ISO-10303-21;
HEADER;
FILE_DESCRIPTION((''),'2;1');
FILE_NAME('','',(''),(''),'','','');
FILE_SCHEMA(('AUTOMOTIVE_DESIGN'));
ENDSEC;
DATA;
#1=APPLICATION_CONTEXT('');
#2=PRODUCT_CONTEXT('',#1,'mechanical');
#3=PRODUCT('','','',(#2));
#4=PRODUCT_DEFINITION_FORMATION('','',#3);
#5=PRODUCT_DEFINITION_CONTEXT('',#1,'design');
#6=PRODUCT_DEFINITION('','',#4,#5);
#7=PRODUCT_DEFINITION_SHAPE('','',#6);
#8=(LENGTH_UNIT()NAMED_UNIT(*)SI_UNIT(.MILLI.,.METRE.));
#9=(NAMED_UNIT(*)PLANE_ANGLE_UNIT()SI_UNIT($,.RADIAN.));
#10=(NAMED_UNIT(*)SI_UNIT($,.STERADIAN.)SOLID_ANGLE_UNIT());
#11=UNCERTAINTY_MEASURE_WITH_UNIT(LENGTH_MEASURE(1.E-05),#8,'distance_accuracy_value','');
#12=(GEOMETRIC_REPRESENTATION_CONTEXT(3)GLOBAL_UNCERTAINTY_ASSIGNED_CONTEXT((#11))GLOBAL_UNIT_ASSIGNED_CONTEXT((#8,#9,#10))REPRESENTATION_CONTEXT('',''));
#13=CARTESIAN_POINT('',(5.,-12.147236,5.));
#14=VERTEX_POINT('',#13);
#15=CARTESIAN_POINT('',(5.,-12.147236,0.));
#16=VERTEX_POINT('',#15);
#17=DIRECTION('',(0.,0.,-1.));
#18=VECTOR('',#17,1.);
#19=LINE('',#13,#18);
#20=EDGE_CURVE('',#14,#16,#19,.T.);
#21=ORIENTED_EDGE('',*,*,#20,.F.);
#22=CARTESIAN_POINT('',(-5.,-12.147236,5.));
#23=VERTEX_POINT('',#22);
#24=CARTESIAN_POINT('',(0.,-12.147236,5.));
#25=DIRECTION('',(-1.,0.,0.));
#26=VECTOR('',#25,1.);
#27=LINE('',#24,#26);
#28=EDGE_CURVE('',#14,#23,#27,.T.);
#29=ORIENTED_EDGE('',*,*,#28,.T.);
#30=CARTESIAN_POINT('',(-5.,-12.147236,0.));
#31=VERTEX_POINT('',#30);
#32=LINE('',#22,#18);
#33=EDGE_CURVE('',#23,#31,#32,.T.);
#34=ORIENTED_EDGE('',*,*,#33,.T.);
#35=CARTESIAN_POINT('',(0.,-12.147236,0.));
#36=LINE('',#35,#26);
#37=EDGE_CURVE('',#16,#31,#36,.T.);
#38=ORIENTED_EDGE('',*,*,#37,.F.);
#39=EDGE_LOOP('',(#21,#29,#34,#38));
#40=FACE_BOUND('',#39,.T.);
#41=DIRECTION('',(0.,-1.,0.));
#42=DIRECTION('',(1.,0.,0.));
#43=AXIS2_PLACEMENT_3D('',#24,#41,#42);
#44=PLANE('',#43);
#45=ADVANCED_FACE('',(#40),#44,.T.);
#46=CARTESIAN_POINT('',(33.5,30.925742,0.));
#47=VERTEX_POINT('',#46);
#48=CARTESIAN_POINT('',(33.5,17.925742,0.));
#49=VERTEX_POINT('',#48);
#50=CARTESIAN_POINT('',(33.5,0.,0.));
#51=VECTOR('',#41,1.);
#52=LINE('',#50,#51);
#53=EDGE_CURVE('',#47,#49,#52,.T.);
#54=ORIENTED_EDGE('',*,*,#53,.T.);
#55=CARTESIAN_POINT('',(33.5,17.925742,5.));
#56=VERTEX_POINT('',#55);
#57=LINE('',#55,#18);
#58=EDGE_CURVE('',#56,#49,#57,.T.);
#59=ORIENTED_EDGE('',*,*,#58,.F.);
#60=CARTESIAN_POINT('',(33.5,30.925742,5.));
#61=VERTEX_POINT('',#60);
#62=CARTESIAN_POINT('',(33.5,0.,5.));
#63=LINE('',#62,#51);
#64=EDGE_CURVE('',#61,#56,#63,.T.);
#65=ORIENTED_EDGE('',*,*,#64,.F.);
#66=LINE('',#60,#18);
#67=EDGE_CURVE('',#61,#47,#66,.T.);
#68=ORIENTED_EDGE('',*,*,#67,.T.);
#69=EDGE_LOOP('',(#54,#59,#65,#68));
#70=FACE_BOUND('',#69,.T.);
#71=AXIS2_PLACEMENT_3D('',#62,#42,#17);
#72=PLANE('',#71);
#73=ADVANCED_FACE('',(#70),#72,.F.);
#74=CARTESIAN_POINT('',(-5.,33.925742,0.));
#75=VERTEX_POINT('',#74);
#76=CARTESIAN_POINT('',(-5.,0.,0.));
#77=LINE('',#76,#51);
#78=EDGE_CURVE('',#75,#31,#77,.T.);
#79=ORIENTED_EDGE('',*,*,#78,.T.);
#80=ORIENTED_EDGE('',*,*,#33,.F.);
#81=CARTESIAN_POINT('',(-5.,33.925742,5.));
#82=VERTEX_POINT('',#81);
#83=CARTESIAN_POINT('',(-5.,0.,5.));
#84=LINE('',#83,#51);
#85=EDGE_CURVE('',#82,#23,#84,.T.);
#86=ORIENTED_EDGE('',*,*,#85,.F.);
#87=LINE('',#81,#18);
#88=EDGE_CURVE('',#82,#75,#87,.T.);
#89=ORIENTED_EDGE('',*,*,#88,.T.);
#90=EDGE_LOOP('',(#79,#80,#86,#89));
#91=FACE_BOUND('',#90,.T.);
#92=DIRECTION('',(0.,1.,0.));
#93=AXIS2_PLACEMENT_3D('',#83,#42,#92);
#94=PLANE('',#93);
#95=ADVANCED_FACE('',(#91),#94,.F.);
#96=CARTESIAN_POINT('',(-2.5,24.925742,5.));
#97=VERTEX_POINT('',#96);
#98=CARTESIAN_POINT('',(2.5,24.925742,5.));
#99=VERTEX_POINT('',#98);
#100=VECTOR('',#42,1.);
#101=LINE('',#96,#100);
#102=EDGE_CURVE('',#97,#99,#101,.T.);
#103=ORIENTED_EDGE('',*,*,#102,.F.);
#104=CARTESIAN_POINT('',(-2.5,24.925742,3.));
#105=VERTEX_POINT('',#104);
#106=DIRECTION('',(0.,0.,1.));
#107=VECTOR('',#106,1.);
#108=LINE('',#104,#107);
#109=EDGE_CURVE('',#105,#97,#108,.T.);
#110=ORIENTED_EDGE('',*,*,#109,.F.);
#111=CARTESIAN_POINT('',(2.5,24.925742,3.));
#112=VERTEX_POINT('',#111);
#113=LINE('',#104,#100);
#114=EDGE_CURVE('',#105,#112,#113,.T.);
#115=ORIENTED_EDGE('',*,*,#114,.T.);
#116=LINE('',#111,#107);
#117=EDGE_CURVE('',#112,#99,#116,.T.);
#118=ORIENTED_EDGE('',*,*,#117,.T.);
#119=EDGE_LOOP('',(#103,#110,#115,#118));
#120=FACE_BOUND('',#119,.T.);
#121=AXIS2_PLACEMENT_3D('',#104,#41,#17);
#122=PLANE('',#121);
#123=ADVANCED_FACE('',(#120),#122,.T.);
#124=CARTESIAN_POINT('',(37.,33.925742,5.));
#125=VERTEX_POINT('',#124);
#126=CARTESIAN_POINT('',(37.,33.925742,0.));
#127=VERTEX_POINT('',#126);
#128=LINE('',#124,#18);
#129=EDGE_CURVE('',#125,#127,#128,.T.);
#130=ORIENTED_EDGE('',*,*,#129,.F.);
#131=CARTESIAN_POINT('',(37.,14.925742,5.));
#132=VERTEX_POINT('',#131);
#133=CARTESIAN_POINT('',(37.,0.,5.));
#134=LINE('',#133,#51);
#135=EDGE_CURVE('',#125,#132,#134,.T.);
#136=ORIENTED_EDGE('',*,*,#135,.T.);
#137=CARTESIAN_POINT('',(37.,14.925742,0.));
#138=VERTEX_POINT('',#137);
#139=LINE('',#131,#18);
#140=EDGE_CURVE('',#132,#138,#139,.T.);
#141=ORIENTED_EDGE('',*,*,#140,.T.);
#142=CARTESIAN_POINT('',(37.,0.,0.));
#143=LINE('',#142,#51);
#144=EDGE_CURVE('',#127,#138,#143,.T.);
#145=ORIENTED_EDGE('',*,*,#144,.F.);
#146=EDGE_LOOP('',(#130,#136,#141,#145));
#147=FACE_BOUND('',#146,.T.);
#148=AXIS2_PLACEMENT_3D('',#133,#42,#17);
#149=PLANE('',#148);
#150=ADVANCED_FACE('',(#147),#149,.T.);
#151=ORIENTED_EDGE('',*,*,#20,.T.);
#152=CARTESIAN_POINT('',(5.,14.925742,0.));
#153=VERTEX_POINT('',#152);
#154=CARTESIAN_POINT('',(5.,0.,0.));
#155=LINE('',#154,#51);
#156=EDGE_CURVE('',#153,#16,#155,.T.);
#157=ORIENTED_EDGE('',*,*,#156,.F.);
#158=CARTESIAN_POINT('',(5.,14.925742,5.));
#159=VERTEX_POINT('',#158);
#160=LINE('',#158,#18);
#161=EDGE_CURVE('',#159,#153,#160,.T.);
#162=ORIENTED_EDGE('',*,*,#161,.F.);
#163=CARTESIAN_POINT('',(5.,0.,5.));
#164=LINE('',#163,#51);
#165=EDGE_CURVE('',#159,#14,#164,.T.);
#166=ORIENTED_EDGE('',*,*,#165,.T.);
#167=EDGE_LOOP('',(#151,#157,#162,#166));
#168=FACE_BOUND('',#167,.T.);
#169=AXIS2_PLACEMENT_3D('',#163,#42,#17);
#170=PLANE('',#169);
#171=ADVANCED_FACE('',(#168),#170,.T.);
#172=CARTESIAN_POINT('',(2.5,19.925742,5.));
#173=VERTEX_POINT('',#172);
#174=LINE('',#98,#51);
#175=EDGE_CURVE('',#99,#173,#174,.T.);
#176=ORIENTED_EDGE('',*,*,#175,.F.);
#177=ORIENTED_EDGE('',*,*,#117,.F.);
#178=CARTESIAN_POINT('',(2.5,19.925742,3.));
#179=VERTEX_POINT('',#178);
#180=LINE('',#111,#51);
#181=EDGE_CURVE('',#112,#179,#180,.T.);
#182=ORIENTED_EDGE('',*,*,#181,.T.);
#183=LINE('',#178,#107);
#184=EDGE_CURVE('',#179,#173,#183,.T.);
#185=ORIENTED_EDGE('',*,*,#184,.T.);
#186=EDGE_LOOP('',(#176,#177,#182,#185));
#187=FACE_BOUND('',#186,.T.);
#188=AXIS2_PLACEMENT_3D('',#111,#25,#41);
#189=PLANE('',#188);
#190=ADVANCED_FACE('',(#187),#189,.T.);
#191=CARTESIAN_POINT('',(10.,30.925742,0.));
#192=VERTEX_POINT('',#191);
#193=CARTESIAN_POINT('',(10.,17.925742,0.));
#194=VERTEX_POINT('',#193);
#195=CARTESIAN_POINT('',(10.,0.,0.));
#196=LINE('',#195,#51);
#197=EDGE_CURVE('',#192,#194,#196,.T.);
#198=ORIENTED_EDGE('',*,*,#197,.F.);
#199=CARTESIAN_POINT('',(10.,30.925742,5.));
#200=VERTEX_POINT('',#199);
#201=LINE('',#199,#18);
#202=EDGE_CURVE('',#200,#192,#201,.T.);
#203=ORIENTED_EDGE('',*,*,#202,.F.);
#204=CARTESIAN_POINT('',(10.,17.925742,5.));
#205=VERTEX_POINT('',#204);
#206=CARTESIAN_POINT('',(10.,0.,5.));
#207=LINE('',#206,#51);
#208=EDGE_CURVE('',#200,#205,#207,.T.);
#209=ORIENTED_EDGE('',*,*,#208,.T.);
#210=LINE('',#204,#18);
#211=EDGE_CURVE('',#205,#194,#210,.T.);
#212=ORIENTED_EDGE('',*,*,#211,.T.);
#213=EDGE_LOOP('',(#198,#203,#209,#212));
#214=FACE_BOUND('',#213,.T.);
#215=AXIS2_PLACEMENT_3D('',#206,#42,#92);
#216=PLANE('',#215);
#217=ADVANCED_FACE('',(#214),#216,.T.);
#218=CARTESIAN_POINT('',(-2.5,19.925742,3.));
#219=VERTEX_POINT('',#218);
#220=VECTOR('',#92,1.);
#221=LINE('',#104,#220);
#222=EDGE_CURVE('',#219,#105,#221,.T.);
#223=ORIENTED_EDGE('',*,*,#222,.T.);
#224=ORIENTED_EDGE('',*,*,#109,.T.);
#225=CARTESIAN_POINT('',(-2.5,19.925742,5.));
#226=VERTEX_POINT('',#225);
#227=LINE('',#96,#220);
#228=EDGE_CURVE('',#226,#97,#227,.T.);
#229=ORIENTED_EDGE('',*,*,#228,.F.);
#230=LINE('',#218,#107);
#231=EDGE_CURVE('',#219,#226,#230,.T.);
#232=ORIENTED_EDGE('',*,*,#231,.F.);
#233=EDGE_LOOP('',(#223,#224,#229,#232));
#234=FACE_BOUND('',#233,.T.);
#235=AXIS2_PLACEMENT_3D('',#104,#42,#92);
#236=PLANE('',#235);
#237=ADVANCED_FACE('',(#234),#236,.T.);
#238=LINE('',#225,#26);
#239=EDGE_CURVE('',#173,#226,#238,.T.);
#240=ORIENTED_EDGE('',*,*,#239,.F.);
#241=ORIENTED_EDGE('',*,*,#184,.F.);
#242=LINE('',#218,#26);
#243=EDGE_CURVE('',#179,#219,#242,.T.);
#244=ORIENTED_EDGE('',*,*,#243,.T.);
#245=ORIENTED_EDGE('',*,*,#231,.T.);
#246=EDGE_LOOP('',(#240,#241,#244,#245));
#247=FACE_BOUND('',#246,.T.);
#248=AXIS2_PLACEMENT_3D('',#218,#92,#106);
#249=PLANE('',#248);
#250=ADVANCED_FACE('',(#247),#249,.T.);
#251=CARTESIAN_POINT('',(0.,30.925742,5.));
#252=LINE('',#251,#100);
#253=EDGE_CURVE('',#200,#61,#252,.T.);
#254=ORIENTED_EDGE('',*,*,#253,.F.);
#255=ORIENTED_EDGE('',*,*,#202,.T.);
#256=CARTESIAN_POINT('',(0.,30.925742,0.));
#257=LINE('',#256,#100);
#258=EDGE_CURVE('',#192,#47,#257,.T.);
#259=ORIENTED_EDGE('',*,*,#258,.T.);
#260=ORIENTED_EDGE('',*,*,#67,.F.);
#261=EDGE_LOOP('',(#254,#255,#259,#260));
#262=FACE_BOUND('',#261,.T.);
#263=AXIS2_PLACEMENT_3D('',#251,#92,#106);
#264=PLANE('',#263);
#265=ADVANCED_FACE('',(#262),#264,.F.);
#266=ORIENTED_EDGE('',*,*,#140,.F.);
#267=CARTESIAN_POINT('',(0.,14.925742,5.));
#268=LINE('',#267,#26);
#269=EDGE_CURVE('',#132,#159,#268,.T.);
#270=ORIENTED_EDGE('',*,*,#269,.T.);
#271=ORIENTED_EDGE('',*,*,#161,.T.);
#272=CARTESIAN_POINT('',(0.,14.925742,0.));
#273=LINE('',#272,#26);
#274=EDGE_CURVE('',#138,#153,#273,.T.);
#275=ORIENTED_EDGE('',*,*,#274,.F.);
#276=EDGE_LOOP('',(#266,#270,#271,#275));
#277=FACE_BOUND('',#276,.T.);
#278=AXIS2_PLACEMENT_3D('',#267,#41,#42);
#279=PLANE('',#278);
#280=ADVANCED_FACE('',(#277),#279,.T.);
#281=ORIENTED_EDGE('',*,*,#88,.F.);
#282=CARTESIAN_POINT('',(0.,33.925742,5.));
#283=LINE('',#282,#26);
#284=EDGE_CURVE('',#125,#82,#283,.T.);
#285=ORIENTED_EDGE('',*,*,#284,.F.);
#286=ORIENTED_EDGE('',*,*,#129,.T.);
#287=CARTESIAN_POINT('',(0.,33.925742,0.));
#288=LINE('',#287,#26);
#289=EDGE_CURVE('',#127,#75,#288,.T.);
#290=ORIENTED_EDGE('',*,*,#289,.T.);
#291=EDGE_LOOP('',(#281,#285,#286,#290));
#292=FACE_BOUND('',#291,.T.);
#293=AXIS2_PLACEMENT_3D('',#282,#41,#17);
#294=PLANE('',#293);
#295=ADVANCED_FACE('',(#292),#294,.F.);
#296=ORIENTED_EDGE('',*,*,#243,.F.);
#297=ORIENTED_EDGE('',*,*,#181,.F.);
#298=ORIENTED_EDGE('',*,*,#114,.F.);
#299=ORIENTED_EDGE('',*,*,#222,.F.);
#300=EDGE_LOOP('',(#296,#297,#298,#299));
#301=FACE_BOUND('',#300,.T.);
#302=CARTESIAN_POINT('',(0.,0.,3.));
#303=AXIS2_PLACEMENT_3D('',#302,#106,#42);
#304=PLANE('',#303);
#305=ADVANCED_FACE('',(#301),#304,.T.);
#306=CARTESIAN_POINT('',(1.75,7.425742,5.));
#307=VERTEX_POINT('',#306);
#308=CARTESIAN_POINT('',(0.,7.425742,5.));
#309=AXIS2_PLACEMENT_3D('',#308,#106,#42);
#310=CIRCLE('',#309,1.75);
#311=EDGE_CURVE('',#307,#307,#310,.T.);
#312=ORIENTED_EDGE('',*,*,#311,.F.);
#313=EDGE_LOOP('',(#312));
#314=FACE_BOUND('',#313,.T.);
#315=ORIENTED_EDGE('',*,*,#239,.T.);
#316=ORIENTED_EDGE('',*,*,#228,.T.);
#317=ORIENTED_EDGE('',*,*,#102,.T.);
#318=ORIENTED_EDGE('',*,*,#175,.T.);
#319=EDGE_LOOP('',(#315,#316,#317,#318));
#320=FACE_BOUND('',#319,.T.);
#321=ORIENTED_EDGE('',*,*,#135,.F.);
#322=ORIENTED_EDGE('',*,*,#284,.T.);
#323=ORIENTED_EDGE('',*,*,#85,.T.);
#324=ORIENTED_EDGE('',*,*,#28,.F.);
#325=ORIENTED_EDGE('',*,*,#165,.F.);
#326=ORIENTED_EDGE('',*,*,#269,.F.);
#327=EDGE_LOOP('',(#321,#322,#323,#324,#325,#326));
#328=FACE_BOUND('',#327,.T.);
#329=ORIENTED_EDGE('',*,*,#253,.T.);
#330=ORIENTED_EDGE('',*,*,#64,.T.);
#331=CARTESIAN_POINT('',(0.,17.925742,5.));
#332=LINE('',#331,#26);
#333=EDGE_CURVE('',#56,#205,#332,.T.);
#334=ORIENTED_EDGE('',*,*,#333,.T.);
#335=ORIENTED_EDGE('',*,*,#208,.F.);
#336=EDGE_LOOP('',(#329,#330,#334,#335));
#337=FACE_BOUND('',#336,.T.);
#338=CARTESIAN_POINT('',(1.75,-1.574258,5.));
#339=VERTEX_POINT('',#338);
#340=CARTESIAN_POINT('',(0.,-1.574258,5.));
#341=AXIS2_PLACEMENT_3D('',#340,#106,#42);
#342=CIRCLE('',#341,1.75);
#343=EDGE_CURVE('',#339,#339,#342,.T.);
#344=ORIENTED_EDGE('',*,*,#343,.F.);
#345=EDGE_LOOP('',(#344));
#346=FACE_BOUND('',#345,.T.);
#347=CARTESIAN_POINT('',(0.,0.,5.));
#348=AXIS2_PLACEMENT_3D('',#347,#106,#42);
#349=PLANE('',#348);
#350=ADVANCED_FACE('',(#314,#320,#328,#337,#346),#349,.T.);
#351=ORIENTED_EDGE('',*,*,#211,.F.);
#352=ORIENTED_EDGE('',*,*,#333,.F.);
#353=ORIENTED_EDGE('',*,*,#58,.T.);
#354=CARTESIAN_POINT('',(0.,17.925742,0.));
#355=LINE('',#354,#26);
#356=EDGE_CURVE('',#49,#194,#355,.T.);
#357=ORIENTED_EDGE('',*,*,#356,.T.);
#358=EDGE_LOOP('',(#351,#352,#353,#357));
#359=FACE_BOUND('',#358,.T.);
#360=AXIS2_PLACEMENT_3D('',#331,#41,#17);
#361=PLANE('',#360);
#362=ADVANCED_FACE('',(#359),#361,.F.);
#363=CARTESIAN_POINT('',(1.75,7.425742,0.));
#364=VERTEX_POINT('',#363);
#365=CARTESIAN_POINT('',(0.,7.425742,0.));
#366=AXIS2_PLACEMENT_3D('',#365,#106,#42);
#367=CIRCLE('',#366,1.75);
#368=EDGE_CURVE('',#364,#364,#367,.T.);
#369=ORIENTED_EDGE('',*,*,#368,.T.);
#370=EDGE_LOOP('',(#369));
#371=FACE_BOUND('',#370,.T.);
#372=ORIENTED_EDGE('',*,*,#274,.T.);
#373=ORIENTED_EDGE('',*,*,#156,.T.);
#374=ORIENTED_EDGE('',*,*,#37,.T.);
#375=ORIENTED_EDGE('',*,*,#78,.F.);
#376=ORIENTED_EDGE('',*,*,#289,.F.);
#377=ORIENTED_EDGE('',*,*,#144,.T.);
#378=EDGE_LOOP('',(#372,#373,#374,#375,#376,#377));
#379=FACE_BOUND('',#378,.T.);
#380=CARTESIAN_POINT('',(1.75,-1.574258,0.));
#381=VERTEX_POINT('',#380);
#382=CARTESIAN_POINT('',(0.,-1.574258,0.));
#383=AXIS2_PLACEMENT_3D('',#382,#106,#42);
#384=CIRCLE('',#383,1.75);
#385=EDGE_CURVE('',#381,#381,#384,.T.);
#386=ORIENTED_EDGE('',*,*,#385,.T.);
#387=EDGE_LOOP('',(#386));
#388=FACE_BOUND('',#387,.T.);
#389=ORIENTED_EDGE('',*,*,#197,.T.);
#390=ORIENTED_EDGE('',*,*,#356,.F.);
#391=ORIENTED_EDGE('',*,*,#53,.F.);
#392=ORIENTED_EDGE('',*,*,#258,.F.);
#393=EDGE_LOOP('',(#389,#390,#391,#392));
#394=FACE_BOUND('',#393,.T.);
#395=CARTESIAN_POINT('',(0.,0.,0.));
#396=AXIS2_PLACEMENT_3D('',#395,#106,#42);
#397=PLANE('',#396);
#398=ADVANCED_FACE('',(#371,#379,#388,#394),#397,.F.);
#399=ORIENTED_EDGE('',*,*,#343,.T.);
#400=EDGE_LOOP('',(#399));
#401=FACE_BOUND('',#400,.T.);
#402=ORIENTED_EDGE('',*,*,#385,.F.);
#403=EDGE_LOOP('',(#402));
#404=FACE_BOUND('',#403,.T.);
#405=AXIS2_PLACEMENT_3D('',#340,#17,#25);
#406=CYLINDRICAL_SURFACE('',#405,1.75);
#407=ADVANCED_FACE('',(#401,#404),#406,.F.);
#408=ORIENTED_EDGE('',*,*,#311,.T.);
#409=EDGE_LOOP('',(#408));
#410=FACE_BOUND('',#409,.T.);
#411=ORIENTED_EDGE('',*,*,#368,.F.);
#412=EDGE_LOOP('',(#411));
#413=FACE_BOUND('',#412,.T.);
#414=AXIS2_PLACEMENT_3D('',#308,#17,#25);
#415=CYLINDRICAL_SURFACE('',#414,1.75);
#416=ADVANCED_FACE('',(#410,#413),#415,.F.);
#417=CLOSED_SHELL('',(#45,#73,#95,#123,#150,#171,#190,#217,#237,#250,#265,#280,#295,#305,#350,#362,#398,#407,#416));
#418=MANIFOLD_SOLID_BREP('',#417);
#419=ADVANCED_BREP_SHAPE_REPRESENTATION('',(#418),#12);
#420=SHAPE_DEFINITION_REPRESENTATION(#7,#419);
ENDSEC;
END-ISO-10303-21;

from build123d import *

# Parameters (mm, degrees)
SKIZZE1_W                       = 10
SKIZZE1_H                       = 46.07297751
SKIZZE1_R                       = 1.75
SKIZZE1_W_2                     = 3.5
SKIZZE1_H_2                     = 13
AUFSATZ_LINEAR_AUSTRAGEN1_DEPTH = 5
SKIZZE2_W                       = 5
SKIZZE2_H                       = 5
SCHNITT_LINEAR_AUSTRAGEN2_DEPTH = 2


with BuildPart() as part:
    # Skizze1 → Aufsatz-Linear austragen1 (new body)
    # profile 1 of 5: a face of its own
    with BuildSketch(Plane.XY):
        with Locations((0, 10.889252833)):
            Rectangle(SKIZZE1_W, SKIZZE1_H)
        with Locations((0, -1.574258412)):
            Circle(SKIZZE1_R, mode=Mode.SUBTRACT)
        with Locations((0, 7.425741588)):
            Circle(SKIZZE1_R, mode=Mode.SUBTRACT)
    # profile 2 of 5: a face of its own
    with BuildSketch(Plane.XY):
        Polygon((10, 30.925741588), (5, 30.925741588), (5, 30.675741588), (5, 18.175741588), (5, 17.925741588), (10, 17.925741588), align=None)
    # profile 3 of 5: a face of its own
    with BuildSketch(Plane.XY):
        Polygon((33.5, 17.925741588), (10, 17.925741588), (5, 17.925741588), (5, 14.925741588), (37, 14.925741588), (37, 17.925741588), align=None)
    # profile 4 of 5: a face of its own
    with BuildSketch(Plane.XY):
        Polygon((37, 33.925741588), (5, 33.925741588), (5, 30.925741588), (10, 30.925741588), (33.5, 30.925741588), (37, 30.925741588), align=None)
    # profile 5 of 5: a face of its own
    with BuildSketch(Plane.XY):
        with Locations((35.25, 24.425741588)):
            Rectangle(SKIZZE1_W_2, SKIZZE1_H_2)
    extrude(amount=AUFSATZ_LINEAR_AUSTRAGEN1_DEPTH)

    # Skizze2 → Schnitt-Linear austragen2 (cut)
    with BuildSketch(Plane(origin=(0, 0, 5), x_dir=(-1, 0, 0), z_dir=(0, 0, -1))):
        with Locations((0, 22.425741588)):
            Rectangle(SKIZZE2_W, SKIZZE2_H)
    extrude(amount=SCHNITT_LINEAR_AUSTRAGEN2_DEPTH, mode=Mode.SUBTRACT)


solid = part.part
